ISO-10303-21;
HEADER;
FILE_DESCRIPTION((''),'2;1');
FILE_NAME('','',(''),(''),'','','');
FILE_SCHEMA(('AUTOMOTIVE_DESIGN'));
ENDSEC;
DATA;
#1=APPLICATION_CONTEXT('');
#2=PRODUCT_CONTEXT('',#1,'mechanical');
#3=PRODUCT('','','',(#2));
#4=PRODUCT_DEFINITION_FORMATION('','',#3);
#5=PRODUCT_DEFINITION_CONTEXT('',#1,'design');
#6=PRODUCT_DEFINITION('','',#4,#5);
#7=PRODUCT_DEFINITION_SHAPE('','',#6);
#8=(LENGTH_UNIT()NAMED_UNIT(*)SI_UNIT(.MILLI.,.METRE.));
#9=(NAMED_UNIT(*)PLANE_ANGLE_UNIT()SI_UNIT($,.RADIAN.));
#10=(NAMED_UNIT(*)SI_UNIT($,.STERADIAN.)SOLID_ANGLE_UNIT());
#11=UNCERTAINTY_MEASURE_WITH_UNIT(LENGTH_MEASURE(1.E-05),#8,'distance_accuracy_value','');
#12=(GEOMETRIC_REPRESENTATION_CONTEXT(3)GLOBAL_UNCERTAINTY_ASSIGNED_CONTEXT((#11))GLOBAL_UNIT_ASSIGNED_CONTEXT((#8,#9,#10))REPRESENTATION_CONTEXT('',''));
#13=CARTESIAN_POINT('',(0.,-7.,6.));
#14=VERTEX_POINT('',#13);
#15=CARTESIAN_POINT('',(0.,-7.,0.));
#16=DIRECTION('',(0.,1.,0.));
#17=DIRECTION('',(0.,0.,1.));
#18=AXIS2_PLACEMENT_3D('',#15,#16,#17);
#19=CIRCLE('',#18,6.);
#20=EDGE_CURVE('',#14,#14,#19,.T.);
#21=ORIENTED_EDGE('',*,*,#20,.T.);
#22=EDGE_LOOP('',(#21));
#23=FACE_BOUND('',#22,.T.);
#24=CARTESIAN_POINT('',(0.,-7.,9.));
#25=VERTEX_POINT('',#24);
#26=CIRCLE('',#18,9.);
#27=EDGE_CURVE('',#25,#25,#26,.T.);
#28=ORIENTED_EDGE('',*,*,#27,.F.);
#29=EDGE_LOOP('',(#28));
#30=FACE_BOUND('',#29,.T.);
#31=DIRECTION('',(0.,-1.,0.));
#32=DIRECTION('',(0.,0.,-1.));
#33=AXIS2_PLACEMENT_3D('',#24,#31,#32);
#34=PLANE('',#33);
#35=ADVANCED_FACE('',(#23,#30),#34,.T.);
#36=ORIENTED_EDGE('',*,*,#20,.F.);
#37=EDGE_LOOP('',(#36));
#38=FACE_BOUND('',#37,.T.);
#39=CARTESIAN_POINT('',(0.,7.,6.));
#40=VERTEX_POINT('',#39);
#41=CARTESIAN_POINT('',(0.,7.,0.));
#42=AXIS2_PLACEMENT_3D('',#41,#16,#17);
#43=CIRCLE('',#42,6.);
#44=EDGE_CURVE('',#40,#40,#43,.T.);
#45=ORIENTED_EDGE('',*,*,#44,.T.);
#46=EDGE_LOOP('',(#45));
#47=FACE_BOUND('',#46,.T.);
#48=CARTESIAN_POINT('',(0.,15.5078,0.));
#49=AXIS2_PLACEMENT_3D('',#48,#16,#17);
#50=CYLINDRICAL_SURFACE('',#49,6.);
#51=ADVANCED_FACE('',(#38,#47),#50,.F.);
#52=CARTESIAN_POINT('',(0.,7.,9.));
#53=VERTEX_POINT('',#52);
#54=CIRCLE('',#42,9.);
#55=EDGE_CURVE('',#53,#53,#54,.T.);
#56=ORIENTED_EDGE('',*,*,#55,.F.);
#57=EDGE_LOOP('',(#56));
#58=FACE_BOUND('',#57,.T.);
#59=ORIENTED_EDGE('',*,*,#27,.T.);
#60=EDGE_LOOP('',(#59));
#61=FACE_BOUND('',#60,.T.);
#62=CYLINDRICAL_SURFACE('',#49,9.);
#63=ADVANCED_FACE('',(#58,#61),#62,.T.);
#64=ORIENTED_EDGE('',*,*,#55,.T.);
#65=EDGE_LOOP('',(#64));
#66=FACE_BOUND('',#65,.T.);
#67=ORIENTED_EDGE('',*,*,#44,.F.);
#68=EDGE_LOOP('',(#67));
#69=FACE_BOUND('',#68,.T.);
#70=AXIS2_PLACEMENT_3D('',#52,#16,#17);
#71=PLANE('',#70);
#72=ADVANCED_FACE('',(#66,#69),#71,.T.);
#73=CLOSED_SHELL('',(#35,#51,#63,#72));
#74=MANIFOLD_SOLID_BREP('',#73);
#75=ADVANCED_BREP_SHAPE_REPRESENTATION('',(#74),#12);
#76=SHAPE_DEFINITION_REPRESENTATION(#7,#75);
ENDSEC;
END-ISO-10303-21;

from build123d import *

# Parameters (mm, degrees)
SKETCH1_W = 3
SKETCH1_H = 14


with BuildPart() as part:
    # Sketch1 → Revolve1 (revolve)
    with BuildSketch(Plane(origin=(0, 0, 0), x_dir=(0, 0, -1), z_dir=(1, 0, 0))):
        with Locations((-7.5, 0)):
            Rectangle(SKETCH1_W, SKETCH1_H)
    revolve(axis=Axis((0, 15.507800407, 0), (0, -1, 0)))


solid = part.part
